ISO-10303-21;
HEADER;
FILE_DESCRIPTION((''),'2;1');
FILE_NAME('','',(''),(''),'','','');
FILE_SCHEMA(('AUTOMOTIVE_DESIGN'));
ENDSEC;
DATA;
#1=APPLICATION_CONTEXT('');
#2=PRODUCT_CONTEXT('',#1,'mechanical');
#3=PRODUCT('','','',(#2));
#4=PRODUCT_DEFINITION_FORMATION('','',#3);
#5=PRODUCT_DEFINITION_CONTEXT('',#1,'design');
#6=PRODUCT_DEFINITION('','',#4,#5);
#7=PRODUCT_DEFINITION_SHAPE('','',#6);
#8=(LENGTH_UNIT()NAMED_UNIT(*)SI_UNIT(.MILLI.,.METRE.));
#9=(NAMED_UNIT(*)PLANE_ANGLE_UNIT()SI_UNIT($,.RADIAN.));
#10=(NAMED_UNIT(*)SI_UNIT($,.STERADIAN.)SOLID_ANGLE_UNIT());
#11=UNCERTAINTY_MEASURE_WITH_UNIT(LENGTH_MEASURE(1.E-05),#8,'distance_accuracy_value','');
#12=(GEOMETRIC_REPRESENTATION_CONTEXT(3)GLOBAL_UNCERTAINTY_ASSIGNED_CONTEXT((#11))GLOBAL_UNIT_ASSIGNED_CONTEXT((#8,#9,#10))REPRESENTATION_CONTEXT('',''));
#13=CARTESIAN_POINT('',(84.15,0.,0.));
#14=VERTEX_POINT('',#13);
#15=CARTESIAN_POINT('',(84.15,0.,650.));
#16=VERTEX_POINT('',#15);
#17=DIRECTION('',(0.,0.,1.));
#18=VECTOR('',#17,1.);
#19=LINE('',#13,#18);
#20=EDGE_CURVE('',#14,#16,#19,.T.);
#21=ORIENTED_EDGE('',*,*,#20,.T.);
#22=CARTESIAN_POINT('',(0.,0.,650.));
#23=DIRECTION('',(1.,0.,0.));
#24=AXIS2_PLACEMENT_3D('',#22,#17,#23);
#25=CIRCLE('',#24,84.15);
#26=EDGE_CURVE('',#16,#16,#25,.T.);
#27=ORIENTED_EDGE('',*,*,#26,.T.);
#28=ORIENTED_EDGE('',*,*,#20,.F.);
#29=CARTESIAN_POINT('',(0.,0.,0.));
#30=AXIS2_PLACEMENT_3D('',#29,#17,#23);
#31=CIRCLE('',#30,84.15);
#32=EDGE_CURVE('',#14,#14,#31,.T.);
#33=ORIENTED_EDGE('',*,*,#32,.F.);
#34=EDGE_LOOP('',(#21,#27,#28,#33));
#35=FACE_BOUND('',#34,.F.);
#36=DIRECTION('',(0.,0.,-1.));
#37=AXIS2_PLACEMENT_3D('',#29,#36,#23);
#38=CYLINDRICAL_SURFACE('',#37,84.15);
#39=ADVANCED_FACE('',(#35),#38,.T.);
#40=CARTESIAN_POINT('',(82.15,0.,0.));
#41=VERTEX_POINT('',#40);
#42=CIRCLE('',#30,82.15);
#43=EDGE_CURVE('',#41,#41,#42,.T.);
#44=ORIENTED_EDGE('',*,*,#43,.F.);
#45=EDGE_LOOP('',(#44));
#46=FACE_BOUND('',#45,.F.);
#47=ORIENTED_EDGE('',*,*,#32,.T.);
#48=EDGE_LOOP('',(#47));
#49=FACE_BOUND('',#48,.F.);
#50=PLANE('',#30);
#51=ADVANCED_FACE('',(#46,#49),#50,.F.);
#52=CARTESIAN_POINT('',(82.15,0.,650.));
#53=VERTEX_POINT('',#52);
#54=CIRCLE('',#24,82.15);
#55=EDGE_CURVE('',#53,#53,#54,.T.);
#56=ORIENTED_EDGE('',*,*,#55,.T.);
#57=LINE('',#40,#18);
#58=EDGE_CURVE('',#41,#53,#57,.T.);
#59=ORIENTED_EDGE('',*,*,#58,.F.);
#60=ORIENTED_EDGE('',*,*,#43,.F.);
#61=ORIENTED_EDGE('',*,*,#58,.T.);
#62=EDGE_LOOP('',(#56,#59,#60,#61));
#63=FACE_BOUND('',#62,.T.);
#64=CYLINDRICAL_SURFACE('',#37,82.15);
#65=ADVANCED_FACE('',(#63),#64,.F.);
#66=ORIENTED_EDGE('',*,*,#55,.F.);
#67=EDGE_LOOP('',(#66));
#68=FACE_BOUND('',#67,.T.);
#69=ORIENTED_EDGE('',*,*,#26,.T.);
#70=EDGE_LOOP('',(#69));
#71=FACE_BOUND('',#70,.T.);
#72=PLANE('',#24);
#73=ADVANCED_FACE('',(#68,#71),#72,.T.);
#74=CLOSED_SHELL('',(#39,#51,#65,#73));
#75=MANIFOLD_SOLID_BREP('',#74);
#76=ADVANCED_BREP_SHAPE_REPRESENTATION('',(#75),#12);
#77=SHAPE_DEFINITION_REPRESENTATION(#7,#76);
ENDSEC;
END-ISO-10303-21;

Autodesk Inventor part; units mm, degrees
ref_plane "YZ Plane" through (0, 0, 0) normal (1, 0, 0) x (0, 1, 0)
ref_plane "Start plane" through (0, 0, 0) normal (0, 0, 1) x (1, 0, 0)
ref_plane "End plane" through (0, 0, 650) normal (0, 0, 1) x (1, 0, 0)
sketch "Sketch" plane through (0, 0, 0) normal (0, 0, 1) x (1, 0, 0)
  circle A0 centre (0, 0) radius 82.15
  circle A1 centre (0, 0) radius 84.15
  dimension "d0" = 168.3
  dimension "d1" = 2
extrude "Body" add sketch "Sketch" along normal up to surface (650 mm away) from surface at 0
sketch "Sketch3" plane through (0, 0, 0) normal (0, 0, 1) x (1, 0, 0)
  line L0 (0, 0) -> (10, 0)
ref_plane "Work Plane3" through (0, 0, 0) normal (0, -1, 0) x (1, 0, 0)
sketch "Sketch4" plane through (0, 0, 0) normal (0, -1, 0) x (1, 0, 0)
  line L0 (-2, 0) -> (12, 0) projected
  line L1 (-2, 650) -> (12, 650) projected
  dimension "d7" = 650
equation "\"d0\" = G_H"
equation "\"d1\" = G_T"
equation "\"d2\" = G_L"
equation "\"G_H\" = 168.3"
equation "\"G_T\" = 2"
equation "\"G_L\" = d7"
equation "\"G_OFFSET_START\" = 0"
equation "\"G_OFFSET_END\" = 0"
properties part number "MSC 713 tube" material "Stainless Steel"
